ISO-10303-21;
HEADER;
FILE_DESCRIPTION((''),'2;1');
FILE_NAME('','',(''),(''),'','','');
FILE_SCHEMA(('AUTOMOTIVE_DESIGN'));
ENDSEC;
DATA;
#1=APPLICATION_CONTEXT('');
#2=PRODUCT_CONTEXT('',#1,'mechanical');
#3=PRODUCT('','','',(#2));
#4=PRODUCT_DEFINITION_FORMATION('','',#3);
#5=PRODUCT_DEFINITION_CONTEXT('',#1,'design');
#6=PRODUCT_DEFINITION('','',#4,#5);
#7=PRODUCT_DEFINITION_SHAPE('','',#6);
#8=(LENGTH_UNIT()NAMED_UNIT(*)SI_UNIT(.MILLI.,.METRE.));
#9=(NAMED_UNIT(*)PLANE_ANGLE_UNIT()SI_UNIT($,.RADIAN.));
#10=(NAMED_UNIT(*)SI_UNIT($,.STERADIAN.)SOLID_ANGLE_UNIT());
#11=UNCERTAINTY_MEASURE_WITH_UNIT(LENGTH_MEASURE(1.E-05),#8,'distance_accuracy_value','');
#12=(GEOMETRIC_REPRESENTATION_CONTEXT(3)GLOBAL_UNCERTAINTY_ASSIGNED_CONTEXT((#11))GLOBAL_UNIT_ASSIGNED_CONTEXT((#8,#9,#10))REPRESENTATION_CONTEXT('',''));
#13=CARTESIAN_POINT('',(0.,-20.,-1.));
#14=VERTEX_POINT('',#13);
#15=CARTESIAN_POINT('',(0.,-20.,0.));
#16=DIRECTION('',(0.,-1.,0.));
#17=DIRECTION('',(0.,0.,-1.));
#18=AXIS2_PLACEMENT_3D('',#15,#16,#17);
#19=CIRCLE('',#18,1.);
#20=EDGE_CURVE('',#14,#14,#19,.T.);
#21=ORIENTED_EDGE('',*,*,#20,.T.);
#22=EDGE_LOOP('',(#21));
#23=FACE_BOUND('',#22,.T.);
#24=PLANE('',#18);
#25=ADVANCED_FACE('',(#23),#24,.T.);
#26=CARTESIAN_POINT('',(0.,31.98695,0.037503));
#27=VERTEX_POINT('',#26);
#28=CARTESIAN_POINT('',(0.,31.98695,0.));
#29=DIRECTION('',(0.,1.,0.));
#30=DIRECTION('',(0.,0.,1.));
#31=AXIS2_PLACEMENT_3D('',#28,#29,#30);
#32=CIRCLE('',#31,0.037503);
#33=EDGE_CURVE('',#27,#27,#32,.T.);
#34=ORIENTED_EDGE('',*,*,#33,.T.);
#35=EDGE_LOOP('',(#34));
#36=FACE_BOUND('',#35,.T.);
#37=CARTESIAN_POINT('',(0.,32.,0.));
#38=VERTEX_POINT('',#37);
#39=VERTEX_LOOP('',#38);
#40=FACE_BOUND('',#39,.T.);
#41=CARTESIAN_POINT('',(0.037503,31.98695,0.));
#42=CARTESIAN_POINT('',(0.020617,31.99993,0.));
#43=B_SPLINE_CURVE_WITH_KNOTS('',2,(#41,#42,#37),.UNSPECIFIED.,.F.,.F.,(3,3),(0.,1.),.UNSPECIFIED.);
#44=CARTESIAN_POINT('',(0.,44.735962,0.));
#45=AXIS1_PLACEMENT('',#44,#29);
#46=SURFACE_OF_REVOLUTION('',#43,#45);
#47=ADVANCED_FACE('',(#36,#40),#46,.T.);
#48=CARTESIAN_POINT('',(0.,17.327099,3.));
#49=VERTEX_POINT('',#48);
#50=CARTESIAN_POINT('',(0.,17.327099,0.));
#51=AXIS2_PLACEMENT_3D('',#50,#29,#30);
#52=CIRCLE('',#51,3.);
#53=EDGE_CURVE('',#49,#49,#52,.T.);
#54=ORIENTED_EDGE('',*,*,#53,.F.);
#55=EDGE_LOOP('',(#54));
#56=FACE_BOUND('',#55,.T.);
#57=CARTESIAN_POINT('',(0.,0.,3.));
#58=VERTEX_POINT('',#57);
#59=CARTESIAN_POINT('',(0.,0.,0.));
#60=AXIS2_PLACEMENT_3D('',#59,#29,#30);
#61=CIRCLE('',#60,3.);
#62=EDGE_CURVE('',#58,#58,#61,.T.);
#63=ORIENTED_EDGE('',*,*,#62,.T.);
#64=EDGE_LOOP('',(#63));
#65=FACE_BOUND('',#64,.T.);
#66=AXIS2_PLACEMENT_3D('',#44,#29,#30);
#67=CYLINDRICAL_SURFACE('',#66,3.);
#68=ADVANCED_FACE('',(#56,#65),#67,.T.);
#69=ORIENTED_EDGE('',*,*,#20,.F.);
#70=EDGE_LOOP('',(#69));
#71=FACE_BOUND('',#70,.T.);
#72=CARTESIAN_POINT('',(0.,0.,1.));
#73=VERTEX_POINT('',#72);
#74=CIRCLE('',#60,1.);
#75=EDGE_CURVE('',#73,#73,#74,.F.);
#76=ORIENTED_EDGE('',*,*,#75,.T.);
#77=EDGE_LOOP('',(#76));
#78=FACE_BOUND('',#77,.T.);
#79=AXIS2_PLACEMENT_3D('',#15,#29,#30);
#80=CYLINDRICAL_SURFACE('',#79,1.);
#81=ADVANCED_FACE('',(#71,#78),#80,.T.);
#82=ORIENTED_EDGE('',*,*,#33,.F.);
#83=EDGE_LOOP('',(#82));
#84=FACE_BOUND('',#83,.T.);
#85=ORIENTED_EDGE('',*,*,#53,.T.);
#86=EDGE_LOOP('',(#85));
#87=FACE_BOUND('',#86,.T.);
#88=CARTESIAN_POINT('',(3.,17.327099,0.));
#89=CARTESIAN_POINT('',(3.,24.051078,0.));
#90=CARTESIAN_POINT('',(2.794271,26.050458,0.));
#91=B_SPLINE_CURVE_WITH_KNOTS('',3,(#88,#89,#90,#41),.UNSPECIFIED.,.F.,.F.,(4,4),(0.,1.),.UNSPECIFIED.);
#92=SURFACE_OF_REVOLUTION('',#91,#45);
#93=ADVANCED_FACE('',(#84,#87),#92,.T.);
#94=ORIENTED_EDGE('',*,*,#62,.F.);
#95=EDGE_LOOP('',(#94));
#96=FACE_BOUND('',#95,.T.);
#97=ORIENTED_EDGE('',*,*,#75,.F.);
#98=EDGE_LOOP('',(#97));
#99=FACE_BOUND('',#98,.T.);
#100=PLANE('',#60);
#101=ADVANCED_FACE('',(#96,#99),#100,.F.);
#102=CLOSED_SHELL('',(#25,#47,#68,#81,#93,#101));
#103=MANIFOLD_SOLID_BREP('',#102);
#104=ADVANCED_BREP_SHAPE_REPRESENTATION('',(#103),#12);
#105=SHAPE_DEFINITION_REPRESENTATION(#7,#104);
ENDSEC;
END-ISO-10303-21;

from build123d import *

# Parameters (mm, degrees)
SKETCH4_R           = 1
BOSS_EXTRUDE1_DEPTH = 20


with BuildPart() as part:
    # Sketch3 → Revolve4 (revolve)
    with BuildSketch(Plane.XY, mode=Mode.PRIVATE) as revolve4_sk:
        with BuildLine():
            Line((0, 0), (3, 0))
            Line((3, 0), (3, 17.327098578))
            add(Edge.make_bspline(
                [(0.037503181, 31.986949556), (2.794271205, 26.050457709), (3, 24.051077685), (3, 17.327098578)],
                knots=[0, 0, 0, 0, 1, 1, 1, 1], degree=3))
            add(Edge.make_bspline(
                [(0, 32), (0.020617145, 31.999929678), (0.037503181, 31.986949556)],
                knots=[0, 0, 0, 1, 1, 1], degree=2))
            Line((0, 32), (0, 0))
        make_face()
    revolve(revolve4_sk.sketch.rotate(Axis((0, 44.735961968, 0), (0, -1, 0)), 90), axis=Axis((0, 44.735961968, 0), (0, -1, 0)))

    # Sketch4 → Boss-Extrude1 (add)
    with BuildSketch(Plane.XZ):
        with Locations(Location((0, 0, 0), (0, 0, 90))):
            Circle(SKETCH4_R)
    extrude(amount=BOSS_EXTRUDE1_DEPTH)


solid = part.part
